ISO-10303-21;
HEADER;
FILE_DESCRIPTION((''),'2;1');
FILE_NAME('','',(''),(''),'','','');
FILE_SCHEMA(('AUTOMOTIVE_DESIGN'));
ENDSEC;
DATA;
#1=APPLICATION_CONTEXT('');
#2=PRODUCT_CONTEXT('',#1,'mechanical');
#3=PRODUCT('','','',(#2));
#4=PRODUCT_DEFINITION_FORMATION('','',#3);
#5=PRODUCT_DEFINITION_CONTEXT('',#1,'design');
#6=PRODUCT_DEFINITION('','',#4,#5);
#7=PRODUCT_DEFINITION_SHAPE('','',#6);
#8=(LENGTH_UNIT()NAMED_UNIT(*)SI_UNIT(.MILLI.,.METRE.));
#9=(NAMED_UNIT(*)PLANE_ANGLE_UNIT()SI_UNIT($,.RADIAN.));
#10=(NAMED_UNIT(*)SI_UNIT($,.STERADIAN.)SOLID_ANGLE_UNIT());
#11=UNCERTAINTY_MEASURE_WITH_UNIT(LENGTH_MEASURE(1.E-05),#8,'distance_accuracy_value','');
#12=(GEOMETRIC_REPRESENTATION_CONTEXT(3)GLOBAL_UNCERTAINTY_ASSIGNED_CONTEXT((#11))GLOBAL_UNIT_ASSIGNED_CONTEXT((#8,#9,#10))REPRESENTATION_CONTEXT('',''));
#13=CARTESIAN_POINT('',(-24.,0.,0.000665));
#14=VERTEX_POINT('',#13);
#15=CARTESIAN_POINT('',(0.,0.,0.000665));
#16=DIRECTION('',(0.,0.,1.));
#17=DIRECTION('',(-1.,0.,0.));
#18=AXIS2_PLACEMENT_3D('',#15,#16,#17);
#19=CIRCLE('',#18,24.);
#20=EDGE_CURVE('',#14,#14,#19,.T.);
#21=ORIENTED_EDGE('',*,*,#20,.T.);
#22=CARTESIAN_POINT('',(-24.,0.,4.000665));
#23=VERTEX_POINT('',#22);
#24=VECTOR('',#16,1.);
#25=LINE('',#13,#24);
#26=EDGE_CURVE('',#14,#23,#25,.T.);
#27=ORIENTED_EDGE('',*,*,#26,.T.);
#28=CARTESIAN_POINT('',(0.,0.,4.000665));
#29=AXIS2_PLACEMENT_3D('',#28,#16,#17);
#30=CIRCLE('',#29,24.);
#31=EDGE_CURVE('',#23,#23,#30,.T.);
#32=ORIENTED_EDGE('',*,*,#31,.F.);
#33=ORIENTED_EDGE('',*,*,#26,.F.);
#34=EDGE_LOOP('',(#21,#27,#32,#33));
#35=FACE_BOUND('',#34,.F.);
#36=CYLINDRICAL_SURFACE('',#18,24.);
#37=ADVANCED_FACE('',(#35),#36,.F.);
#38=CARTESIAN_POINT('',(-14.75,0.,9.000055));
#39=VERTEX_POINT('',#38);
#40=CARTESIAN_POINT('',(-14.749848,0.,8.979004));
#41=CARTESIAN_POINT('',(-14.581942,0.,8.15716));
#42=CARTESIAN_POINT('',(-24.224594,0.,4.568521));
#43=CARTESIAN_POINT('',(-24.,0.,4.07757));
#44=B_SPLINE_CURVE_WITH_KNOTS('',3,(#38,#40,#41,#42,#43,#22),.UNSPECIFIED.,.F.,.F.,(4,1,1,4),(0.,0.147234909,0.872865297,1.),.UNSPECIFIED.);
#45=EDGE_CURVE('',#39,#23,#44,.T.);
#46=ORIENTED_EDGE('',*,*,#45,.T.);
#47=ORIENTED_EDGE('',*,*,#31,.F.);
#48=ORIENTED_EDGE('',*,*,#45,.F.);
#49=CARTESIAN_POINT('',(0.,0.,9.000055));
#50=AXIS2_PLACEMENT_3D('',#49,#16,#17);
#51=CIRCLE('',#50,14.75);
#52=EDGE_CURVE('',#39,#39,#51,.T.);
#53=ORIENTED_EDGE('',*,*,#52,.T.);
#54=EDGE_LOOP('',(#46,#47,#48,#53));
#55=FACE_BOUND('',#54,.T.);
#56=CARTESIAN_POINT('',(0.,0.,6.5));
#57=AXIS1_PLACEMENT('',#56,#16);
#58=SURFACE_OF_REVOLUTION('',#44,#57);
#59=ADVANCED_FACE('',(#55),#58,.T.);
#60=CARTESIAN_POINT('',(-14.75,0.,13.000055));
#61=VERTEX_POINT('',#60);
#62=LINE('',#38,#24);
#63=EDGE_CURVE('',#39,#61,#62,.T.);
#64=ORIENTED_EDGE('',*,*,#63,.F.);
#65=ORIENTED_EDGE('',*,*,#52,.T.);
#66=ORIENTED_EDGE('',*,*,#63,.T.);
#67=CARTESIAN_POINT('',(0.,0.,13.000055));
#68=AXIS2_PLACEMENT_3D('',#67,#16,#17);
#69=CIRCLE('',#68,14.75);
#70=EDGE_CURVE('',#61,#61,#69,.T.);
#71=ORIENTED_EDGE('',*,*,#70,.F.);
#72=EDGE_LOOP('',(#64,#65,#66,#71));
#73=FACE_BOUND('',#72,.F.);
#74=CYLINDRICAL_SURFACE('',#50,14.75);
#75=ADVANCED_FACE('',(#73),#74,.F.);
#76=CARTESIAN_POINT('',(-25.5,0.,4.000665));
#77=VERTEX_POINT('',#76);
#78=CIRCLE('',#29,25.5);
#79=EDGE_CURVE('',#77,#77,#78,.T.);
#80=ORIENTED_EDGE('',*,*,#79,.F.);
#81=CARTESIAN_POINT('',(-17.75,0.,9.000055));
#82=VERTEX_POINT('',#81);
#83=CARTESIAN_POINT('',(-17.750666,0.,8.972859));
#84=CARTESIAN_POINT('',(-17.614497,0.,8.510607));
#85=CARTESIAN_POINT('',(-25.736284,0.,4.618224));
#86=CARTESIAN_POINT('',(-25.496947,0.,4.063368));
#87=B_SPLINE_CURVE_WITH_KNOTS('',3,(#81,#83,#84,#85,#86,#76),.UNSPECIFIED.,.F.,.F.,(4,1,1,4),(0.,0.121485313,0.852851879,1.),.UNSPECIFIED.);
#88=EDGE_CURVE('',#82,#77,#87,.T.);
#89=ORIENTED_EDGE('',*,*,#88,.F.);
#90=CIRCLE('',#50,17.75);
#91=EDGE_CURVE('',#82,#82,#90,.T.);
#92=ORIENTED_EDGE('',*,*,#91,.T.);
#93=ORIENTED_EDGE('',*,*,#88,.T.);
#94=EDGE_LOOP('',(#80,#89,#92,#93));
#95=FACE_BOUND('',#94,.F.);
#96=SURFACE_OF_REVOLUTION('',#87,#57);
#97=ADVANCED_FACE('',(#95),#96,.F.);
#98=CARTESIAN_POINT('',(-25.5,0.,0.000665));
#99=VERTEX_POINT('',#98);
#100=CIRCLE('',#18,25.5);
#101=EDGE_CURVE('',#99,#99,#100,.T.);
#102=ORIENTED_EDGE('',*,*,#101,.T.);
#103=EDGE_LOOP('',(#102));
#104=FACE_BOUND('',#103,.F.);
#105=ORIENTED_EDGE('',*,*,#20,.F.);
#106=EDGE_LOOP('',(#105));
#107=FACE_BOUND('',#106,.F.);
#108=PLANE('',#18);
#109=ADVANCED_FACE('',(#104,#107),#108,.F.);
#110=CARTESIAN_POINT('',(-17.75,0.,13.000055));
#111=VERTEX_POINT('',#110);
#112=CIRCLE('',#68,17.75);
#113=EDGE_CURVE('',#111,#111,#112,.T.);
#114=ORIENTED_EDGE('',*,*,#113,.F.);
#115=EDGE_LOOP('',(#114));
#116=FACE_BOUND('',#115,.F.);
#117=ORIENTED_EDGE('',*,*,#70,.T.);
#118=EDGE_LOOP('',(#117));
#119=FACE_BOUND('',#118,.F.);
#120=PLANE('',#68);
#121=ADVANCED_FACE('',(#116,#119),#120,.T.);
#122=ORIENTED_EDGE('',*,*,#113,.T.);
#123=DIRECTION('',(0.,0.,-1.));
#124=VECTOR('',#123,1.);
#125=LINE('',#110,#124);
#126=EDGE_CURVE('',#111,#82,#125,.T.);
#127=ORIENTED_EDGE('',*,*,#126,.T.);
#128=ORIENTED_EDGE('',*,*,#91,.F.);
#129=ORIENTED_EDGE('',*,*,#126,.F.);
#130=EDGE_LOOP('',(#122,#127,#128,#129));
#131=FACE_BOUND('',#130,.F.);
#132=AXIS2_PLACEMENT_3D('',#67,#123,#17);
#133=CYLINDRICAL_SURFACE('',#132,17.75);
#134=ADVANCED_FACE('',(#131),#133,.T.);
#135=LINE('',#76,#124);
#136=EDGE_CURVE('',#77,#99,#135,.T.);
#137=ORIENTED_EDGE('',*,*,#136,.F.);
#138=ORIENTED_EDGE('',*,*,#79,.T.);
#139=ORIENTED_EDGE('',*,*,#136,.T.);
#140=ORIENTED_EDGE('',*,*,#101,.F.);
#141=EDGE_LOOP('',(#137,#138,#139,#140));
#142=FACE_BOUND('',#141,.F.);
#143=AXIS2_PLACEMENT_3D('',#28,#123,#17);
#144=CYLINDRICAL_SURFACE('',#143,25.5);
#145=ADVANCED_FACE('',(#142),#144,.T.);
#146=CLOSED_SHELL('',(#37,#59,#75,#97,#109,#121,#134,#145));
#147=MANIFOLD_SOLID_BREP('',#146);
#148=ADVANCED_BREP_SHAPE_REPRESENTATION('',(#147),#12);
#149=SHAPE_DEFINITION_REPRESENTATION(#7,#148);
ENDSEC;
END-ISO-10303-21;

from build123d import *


with BuildPart() as f1:
    # F0 (on Front) → F1 (revolve)
    with BuildSketch(Plane.XZ):
        with BuildLine():
            Line((-25.5, 4.000665223), (-25.5, 0.000665223))
            Line((-25.5, 0.000665223), (-24, 0.000665223))
            Line((-24, 0.000665223), (-24, 4.000665223))
            add(Edge.make_bspline(
                [(-14.75, 9.0000554125), (-14.7498478162, 8.9790042563), (-14.5819417468, 8.1571602932), (-24.2245944145, 4.5685211878), (-24, 4.0775702806), (-24, 4.000665223)],
                knots=[0, 0, 0, 0, 0.1472349086, 0.8728652968, 1, 1, 1, 1], degree=3))
            Line((-14.75, 9.0000554125), (-14.75, 13.0000554125))
            Line((-14.75, 13.0000554125), (-17.75, 13.0000554125))
            Line((-17.75, 13.0000554125), (-17.75, 9.0000554125))
            add(Edge.make_bspline(
                [(-17.75, 9.0000554125), (-17.7506663859, 8.9728591273), (-17.6144972198, 8.5106069443), (-25.7362839034, 4.6182240272), (-25.4969472736, 4.0633681762), (-25.5, 4.000665223)],
                knots=[0, 0, 0, 0, 0.1214853131, 0.852851879, 1, 1, 1, 1], degree=3))
        make_face()
    revolve(axis=Axis((0, 0, 6.5), (0, 0, 1)))


solid = f1.part
